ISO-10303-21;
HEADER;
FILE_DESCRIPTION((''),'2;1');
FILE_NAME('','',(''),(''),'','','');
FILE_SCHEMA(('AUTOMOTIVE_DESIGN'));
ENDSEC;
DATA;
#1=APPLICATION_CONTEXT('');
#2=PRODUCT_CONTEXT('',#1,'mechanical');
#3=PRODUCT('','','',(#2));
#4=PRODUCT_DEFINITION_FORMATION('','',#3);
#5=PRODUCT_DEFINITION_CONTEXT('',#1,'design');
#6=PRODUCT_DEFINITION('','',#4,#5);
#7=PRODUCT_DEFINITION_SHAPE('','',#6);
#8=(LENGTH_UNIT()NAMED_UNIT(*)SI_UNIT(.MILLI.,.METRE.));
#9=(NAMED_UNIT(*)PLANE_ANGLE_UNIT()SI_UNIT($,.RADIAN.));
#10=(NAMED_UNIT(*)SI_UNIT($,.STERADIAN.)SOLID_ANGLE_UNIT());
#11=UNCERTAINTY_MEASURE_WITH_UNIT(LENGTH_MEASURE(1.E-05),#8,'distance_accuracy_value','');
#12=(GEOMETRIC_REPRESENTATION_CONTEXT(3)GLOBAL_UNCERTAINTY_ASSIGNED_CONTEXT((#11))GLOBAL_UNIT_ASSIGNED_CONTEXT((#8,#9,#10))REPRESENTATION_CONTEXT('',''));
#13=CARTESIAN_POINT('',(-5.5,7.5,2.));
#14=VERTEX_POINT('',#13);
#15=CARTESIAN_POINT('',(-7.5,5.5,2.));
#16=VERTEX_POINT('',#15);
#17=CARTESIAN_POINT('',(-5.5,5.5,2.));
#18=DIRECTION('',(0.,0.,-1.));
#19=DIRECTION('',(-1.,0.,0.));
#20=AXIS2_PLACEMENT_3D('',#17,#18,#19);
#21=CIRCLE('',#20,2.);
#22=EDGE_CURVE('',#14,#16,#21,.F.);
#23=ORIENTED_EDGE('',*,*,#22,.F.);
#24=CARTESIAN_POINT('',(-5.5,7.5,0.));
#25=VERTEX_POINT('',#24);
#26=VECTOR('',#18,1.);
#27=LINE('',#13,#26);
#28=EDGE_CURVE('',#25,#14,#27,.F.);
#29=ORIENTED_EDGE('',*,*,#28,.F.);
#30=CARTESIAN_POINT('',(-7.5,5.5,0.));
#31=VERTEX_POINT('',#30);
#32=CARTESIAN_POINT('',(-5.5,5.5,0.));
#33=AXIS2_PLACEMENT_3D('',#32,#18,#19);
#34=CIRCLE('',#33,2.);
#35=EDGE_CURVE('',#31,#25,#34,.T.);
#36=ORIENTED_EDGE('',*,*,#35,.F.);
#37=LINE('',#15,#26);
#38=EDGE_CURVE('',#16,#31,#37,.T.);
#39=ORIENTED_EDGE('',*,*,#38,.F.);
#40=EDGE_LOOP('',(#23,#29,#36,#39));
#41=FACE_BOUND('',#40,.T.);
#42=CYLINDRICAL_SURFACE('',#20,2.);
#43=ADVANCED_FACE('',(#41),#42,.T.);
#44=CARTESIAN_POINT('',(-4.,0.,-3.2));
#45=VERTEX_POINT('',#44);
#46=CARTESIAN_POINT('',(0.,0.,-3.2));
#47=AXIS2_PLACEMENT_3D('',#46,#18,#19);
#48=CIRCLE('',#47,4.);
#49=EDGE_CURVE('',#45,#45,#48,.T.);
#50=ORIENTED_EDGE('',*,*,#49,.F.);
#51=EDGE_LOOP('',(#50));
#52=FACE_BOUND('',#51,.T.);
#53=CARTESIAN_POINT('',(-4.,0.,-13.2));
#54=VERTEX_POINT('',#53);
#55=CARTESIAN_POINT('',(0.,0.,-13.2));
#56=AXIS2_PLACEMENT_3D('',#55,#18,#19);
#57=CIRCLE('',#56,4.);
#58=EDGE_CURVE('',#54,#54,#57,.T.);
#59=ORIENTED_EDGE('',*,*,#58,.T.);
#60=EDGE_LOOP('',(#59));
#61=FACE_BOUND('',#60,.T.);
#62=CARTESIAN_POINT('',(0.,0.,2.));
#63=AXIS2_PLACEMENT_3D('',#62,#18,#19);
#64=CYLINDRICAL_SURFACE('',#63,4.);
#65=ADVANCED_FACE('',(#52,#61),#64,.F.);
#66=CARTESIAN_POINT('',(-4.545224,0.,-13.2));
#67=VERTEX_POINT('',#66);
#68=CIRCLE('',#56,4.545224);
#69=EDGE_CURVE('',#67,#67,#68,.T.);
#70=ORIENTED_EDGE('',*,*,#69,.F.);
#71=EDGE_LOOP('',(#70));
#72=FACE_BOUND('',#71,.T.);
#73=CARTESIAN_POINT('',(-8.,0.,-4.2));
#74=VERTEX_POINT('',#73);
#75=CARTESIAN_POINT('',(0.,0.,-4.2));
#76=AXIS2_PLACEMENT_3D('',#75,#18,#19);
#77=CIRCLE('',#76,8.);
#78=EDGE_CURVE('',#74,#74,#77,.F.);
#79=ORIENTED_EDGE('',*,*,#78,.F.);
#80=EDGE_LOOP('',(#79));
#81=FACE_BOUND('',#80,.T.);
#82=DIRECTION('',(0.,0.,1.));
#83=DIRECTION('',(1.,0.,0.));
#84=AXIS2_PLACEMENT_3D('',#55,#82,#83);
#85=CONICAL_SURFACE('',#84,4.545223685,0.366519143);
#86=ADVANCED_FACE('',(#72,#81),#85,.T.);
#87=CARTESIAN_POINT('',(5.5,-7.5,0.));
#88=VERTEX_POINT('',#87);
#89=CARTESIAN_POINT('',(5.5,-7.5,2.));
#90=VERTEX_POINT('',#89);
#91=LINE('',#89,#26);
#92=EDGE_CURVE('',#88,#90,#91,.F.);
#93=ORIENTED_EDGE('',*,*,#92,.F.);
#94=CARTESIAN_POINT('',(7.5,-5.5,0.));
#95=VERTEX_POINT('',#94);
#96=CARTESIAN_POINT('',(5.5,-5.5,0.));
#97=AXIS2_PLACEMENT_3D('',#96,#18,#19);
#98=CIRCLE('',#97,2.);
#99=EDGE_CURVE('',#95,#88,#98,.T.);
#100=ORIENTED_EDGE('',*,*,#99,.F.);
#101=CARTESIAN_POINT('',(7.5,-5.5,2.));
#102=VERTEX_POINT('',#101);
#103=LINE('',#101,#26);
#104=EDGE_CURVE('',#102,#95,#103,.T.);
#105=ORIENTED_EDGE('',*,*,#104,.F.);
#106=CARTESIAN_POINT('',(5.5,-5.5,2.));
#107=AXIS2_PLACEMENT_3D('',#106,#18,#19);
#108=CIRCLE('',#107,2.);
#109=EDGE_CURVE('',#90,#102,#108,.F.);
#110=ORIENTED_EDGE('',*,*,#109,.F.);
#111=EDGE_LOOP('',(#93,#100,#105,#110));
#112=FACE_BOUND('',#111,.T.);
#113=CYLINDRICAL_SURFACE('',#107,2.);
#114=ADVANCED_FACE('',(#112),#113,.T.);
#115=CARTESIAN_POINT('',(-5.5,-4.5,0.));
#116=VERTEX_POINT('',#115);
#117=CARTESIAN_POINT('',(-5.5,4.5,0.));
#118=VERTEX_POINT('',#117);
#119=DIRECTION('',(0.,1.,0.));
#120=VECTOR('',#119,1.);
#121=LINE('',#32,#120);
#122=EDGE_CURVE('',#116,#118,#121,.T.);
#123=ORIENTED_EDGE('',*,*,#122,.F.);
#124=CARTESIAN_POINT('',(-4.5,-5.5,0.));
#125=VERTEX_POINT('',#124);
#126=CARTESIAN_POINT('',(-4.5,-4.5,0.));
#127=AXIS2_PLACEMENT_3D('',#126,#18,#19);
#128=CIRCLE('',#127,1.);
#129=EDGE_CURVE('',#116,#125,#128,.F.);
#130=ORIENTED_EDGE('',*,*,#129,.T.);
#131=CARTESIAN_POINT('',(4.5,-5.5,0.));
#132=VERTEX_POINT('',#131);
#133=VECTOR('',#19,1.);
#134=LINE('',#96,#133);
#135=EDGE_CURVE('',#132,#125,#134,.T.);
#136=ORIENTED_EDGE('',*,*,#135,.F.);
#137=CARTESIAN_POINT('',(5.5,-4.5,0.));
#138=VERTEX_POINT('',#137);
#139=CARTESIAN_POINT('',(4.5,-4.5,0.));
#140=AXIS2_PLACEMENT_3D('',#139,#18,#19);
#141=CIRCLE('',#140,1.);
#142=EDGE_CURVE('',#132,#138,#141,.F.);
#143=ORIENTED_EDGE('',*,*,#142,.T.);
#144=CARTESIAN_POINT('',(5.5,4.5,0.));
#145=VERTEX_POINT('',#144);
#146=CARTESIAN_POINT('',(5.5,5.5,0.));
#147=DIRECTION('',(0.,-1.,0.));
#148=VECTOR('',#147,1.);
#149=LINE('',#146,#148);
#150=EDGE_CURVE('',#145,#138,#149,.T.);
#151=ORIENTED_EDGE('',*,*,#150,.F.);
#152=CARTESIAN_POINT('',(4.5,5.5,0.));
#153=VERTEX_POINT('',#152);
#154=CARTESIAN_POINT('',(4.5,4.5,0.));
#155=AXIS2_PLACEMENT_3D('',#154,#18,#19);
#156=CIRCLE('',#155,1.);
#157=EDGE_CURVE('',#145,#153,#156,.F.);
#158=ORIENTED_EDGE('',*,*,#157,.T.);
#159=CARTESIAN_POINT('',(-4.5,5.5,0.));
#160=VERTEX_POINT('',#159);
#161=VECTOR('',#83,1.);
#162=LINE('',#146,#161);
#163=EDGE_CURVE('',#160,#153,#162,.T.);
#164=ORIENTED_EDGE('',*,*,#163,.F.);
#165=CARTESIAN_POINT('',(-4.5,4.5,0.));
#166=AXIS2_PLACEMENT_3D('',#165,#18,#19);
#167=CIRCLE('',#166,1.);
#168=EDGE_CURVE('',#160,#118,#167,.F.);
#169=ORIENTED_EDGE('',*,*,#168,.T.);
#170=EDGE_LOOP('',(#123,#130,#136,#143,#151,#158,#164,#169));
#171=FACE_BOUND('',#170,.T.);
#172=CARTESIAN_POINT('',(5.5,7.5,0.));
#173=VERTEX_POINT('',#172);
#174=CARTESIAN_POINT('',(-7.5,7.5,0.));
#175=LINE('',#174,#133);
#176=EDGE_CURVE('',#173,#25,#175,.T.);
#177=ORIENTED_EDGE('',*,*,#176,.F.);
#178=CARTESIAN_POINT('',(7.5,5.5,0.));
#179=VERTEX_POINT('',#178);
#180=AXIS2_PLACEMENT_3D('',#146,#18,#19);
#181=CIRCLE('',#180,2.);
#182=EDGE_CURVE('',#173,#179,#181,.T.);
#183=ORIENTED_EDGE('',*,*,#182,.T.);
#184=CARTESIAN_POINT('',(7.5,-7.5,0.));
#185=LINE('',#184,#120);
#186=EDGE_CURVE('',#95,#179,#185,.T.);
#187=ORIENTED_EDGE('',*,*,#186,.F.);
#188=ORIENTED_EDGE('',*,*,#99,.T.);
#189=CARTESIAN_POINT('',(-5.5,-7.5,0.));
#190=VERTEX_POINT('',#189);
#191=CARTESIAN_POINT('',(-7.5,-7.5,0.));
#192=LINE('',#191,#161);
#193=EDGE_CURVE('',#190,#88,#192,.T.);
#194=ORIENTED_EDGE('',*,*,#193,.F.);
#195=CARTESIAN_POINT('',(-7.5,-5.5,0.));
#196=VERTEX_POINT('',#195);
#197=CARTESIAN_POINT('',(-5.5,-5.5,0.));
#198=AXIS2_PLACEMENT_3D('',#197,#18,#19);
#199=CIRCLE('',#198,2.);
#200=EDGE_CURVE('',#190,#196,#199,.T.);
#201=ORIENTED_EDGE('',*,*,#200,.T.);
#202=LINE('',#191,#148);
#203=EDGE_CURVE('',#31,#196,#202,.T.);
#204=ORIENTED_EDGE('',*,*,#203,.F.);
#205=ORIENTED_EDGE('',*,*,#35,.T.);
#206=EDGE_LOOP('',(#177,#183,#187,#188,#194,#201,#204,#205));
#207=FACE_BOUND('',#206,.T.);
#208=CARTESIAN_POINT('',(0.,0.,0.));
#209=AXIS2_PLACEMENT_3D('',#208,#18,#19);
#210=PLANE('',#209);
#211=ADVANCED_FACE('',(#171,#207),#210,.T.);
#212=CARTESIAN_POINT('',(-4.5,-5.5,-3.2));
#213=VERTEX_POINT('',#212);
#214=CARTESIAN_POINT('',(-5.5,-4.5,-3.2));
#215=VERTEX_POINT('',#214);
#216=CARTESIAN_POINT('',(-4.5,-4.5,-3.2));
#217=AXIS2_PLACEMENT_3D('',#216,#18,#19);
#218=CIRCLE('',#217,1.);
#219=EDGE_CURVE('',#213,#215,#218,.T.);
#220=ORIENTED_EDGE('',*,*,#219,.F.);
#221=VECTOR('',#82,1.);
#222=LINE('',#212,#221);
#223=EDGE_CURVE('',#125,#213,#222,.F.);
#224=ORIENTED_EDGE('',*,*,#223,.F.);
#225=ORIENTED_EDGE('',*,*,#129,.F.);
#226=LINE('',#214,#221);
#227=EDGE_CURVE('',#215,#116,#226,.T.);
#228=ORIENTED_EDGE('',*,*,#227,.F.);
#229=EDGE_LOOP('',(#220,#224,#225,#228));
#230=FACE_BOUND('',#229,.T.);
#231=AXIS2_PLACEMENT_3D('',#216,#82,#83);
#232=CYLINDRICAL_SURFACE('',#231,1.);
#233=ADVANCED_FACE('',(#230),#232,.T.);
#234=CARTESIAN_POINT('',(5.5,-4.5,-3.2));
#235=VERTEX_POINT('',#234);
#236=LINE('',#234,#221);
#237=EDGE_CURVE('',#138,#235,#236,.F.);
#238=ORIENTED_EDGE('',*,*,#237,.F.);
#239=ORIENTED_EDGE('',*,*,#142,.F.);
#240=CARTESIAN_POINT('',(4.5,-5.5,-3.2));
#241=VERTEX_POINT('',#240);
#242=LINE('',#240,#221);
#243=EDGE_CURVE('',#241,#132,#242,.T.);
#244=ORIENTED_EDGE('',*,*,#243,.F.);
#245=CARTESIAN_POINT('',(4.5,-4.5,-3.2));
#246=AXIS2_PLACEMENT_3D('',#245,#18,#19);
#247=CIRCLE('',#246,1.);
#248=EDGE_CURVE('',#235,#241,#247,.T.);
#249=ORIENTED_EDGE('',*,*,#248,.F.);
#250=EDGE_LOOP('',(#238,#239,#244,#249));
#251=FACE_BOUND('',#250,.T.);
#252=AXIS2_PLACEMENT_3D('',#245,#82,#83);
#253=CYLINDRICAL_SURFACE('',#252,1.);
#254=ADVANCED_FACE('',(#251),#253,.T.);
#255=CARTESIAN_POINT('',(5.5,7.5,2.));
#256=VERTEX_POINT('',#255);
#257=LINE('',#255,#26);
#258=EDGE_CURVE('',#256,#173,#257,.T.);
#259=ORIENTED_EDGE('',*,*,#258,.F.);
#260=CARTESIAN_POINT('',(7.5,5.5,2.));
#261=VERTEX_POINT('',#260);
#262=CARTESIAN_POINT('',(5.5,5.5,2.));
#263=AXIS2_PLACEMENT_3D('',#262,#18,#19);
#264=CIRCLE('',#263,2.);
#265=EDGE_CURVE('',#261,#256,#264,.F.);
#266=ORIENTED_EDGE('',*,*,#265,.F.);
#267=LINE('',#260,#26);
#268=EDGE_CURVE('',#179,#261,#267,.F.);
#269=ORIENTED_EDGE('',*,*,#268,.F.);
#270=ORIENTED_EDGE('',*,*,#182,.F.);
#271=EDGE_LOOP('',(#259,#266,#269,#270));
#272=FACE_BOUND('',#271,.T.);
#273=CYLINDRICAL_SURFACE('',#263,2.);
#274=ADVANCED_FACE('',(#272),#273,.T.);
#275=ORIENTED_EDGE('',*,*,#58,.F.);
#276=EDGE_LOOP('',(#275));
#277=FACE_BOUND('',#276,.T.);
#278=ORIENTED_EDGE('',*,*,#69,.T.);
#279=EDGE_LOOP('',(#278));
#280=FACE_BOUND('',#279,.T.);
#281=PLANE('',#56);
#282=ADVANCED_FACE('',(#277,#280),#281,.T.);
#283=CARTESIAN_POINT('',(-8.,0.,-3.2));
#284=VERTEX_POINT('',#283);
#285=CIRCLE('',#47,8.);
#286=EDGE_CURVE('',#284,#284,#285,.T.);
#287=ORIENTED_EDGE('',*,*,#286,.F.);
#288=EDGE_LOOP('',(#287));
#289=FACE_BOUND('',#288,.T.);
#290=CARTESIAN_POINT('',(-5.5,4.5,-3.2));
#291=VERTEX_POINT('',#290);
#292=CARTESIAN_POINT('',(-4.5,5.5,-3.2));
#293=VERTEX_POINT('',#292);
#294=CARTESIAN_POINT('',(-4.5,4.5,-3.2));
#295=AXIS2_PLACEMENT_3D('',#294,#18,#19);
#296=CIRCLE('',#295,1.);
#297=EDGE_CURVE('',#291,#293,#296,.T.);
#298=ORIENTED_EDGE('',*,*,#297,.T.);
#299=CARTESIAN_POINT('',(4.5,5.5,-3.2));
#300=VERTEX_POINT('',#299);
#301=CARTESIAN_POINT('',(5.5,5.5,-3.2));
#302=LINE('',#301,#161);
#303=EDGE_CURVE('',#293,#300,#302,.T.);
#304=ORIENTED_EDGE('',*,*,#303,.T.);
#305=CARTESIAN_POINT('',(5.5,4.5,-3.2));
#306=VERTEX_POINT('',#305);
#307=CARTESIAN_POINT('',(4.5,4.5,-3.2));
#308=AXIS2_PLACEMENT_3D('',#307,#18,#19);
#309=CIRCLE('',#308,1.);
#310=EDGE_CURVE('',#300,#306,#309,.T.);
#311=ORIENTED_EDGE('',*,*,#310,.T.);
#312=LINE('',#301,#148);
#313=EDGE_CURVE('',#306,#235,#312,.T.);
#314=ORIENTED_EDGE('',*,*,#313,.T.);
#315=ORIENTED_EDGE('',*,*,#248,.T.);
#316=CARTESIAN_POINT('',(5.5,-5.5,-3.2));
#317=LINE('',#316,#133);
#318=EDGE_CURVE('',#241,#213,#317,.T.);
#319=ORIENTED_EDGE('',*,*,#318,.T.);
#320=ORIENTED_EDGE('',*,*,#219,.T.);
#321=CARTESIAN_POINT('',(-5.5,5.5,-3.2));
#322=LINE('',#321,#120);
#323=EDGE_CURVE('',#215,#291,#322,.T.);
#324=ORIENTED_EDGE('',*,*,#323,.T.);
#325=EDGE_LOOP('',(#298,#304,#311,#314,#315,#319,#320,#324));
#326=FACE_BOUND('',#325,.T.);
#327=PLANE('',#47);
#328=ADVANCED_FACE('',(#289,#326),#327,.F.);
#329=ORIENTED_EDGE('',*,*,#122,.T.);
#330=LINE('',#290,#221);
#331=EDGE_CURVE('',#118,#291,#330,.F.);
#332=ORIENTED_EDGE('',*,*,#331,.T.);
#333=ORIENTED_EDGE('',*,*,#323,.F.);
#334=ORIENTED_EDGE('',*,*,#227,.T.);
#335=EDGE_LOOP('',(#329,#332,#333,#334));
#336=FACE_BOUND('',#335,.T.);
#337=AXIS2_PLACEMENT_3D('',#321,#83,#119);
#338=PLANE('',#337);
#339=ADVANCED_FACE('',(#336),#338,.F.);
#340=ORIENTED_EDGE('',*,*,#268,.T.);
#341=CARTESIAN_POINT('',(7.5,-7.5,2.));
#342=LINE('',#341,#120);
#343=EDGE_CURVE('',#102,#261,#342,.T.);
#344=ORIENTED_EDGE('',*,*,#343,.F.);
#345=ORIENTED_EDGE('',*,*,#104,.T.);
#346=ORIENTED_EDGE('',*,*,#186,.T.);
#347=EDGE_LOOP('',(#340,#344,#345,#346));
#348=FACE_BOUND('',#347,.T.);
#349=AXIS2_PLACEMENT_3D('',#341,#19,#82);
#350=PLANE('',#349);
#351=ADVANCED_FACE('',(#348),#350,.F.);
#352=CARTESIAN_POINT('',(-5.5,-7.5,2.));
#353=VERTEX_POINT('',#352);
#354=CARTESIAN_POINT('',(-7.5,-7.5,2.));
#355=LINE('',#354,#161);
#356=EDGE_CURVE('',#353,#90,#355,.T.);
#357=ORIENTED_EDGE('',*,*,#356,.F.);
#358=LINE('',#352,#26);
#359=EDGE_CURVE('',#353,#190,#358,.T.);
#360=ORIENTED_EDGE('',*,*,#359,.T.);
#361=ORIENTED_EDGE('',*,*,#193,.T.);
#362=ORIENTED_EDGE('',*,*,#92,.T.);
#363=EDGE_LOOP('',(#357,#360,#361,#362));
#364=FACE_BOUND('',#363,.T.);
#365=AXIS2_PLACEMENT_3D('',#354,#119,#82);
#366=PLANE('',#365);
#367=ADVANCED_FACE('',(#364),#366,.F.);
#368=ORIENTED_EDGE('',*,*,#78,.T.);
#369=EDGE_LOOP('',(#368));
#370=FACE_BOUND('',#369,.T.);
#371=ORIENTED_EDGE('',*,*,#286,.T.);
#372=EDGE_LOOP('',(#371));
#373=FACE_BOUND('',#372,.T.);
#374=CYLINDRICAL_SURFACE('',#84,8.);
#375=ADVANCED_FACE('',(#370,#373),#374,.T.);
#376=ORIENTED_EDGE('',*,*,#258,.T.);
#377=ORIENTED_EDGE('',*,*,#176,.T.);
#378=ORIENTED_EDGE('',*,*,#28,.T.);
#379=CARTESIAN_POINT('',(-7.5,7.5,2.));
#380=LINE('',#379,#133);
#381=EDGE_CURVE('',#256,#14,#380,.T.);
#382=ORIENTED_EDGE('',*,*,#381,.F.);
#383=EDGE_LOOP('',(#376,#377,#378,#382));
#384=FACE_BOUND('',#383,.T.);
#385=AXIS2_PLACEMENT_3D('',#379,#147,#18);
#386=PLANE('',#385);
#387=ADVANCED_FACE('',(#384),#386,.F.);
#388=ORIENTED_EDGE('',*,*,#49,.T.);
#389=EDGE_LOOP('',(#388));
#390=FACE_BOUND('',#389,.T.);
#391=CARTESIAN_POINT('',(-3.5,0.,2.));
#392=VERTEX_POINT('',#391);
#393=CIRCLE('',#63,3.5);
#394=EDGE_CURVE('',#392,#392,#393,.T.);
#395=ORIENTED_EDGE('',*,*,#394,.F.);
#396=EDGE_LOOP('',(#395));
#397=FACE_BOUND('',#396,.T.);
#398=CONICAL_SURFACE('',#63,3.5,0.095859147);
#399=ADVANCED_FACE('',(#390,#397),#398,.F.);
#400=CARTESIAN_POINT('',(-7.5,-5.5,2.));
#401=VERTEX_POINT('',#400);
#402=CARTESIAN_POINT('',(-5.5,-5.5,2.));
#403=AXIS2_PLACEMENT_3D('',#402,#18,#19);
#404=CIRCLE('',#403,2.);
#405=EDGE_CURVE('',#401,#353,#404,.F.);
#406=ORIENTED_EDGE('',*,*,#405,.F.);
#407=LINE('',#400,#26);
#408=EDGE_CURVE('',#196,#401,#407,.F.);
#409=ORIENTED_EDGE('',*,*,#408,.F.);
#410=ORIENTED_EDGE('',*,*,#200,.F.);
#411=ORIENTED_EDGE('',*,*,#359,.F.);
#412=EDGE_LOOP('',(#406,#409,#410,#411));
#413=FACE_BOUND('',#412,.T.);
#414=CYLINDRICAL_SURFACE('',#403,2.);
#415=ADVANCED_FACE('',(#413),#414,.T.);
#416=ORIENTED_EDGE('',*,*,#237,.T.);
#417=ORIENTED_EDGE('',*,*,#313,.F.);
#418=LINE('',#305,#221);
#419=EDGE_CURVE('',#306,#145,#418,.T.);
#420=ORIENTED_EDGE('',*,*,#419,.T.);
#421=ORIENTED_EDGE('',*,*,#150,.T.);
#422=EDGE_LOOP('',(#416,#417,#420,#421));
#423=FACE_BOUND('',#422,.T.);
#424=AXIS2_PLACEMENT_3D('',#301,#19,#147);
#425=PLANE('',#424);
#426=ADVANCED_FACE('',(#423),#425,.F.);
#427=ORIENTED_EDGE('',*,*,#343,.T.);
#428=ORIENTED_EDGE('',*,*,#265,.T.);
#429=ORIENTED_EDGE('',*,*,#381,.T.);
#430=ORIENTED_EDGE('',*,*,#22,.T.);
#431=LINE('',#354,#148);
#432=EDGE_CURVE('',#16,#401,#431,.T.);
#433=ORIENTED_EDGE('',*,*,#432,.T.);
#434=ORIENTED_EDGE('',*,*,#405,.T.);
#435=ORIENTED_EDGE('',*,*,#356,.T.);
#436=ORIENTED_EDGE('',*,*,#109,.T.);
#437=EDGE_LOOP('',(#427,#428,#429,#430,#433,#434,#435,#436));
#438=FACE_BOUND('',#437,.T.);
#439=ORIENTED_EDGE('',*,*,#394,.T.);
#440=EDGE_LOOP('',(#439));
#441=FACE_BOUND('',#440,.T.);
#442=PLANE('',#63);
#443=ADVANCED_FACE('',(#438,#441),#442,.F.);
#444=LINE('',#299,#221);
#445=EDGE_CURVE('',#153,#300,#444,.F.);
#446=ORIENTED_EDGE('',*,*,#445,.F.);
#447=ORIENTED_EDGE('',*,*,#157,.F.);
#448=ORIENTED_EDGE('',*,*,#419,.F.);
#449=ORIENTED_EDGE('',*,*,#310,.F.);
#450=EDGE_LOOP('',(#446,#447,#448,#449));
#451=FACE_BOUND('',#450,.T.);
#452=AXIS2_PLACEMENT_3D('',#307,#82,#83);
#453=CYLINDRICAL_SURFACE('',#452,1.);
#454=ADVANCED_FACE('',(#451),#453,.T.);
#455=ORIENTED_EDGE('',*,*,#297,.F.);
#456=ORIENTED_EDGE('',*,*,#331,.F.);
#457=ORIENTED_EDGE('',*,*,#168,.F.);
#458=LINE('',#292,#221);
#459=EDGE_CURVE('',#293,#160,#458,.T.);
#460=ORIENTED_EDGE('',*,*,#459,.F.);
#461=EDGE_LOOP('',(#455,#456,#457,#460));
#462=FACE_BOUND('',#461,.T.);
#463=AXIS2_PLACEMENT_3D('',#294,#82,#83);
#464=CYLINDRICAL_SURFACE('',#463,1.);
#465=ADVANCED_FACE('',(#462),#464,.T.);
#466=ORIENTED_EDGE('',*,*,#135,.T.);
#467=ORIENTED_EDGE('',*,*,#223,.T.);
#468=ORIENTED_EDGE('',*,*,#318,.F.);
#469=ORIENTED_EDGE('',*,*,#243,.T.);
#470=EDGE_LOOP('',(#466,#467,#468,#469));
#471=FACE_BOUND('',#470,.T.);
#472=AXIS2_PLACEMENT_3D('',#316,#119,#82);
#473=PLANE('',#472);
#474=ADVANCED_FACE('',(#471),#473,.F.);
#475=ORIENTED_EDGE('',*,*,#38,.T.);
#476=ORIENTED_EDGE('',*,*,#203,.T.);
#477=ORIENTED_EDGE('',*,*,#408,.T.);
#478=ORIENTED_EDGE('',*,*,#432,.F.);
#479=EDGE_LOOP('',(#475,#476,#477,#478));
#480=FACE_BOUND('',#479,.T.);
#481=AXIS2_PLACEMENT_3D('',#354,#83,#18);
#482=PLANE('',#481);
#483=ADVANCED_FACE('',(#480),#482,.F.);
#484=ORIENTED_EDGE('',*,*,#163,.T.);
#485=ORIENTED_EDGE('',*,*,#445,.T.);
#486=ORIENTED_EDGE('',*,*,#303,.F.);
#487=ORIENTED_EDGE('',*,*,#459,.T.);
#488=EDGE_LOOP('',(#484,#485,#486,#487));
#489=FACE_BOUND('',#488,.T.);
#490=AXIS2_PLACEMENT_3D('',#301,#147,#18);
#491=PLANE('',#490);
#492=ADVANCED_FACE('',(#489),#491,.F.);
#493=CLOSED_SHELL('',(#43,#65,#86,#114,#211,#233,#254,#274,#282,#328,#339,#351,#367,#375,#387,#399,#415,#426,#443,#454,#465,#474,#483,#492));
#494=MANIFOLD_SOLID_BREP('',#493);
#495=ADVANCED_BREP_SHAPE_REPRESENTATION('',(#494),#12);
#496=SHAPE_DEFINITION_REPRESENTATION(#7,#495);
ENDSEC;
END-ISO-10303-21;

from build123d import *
from build123d.topology import SkipClean

# Parameters (mm, degrees)
SKETCH1_W           = 15
SKETCH1_H           = 15
SKETCH1_R           = 4
BOSS_EXTRUDE1_DEPTH = 2
BOSS_EXTRUDE2_START = 3.2
SKETCH2_W           = 11
SKETCH2_H           = 11
SKETCH2_R           = 4
BOSS_EXTRUDE2_DEPTH = 3.2
BOSS_EXTRUDE3_START = 10
SKETCH3_R           = 8
SKETCH3_R_2         = 4
BOSS_EXTRUDE3_DEPTH = 10
CHAMFER1_SIZE       = 9
CHAMFER1_SIZE2      = 3.454776315
FILLET1_R           = 2
FILLET2_R           = 1


with BuildPart() as part:
    # Sketch1 → Boss-Extrude1 (new body)
    with BuildSketch(Plane.XY):
        Rectangle(SKETCH1_W, SKETCH1_H)
        Circle(SKETCH1_R, mode=Mode.SUBTRACT)
    extrude(amount=BOSS_EXTRUDE1_DEPTH)

    # Sketch2 → Boss-Extrude2 (add)
    with SkipClean():  # the faces are left unmerged after this step: merging them gives an invalid solid
        with BuildSketch(Plane(origin=(0, 0, 0), x_dir=(-1, 0, 0), z_dir=(0, 0, -1)).offset(BOSS_EXTRUDE2_START)):
            Rectangle(SKETCH2_W, SKETCH2_H)
            Circle(SKETCH2_R, mode=Mode.SUBTRACT)
        extrude(amount=-BOSS_EXTRUDE2_DEPTH)

    # Sketch3 → Boss-Extrude3 (add)
    with SkipClean():  # the faces are left unmerged after this step: merging them gives an invalid solid
        with BuildSketch(Plane(origin=(0, 0, -3.2), x_dir=(-1, 0, 0), z_dir=(0, 0, -1)).offset(BOSS_EXTRUDE3_START)):
            Circle(SKETCH3_R)
            Circle(SKETCH3_R_2, mode=Mode.SUBTRACT)
        extrude(amount=-BOSS_EXTRUDE3_DEPTH)

    # Sketch4 → Revolve1 (revolve)
    with BuildSketch(Plane(origin=(0, 0, 0), x_dir=(1, 0, 0), z_dir=(0, 1, 0))):
        Polygon((-4, -2), (-3.5, -2), (-4, 3.2), align=None)
    revolve(axis=Axis((0, 0, -13.2), (0, 0, 1)))

    # Chamfer1
    chamfer1_edges = [part.edges().sort_by_distance(p)[0] for p in [
        (8, 0, -13.2),
    ]]
    chamfer1_side = [part.faces().sort_by_distance(p)[0] for p in [
        (8, 0, -8.2),
    ]]
    chamfer(chamfer1_edges, length=CHAMFER1_SIZE, length2=CHAMFER1_SIZE2, reference=chamfer1_side[0])

    # Fillet1
    fillet1_edges = [part.edges().sort_by_distance(p)[0] for p in [
        (7.5, -7.5, 1),
        (-7.5, -7.5, 1),
        (-7.5, 7.5, 1),
        (7.5, 7.5, 1),
    ]]
    fillet(fillet1_edges, radius=FILLET1_R)

    # Fillet2
    fillet2_edges = [part.edges().sort_by_distance(p)[0] for p in [
        (-5.5, -5.5, -1.6),
        (-5.5, 5.5, -1.6),
        (5.5, 5.5, -1.6),
        (5.5, -5.5, -1.6),
    ]]
    fillet(fillet2_edges, radius=FILLET2_R)


solid = part.part
